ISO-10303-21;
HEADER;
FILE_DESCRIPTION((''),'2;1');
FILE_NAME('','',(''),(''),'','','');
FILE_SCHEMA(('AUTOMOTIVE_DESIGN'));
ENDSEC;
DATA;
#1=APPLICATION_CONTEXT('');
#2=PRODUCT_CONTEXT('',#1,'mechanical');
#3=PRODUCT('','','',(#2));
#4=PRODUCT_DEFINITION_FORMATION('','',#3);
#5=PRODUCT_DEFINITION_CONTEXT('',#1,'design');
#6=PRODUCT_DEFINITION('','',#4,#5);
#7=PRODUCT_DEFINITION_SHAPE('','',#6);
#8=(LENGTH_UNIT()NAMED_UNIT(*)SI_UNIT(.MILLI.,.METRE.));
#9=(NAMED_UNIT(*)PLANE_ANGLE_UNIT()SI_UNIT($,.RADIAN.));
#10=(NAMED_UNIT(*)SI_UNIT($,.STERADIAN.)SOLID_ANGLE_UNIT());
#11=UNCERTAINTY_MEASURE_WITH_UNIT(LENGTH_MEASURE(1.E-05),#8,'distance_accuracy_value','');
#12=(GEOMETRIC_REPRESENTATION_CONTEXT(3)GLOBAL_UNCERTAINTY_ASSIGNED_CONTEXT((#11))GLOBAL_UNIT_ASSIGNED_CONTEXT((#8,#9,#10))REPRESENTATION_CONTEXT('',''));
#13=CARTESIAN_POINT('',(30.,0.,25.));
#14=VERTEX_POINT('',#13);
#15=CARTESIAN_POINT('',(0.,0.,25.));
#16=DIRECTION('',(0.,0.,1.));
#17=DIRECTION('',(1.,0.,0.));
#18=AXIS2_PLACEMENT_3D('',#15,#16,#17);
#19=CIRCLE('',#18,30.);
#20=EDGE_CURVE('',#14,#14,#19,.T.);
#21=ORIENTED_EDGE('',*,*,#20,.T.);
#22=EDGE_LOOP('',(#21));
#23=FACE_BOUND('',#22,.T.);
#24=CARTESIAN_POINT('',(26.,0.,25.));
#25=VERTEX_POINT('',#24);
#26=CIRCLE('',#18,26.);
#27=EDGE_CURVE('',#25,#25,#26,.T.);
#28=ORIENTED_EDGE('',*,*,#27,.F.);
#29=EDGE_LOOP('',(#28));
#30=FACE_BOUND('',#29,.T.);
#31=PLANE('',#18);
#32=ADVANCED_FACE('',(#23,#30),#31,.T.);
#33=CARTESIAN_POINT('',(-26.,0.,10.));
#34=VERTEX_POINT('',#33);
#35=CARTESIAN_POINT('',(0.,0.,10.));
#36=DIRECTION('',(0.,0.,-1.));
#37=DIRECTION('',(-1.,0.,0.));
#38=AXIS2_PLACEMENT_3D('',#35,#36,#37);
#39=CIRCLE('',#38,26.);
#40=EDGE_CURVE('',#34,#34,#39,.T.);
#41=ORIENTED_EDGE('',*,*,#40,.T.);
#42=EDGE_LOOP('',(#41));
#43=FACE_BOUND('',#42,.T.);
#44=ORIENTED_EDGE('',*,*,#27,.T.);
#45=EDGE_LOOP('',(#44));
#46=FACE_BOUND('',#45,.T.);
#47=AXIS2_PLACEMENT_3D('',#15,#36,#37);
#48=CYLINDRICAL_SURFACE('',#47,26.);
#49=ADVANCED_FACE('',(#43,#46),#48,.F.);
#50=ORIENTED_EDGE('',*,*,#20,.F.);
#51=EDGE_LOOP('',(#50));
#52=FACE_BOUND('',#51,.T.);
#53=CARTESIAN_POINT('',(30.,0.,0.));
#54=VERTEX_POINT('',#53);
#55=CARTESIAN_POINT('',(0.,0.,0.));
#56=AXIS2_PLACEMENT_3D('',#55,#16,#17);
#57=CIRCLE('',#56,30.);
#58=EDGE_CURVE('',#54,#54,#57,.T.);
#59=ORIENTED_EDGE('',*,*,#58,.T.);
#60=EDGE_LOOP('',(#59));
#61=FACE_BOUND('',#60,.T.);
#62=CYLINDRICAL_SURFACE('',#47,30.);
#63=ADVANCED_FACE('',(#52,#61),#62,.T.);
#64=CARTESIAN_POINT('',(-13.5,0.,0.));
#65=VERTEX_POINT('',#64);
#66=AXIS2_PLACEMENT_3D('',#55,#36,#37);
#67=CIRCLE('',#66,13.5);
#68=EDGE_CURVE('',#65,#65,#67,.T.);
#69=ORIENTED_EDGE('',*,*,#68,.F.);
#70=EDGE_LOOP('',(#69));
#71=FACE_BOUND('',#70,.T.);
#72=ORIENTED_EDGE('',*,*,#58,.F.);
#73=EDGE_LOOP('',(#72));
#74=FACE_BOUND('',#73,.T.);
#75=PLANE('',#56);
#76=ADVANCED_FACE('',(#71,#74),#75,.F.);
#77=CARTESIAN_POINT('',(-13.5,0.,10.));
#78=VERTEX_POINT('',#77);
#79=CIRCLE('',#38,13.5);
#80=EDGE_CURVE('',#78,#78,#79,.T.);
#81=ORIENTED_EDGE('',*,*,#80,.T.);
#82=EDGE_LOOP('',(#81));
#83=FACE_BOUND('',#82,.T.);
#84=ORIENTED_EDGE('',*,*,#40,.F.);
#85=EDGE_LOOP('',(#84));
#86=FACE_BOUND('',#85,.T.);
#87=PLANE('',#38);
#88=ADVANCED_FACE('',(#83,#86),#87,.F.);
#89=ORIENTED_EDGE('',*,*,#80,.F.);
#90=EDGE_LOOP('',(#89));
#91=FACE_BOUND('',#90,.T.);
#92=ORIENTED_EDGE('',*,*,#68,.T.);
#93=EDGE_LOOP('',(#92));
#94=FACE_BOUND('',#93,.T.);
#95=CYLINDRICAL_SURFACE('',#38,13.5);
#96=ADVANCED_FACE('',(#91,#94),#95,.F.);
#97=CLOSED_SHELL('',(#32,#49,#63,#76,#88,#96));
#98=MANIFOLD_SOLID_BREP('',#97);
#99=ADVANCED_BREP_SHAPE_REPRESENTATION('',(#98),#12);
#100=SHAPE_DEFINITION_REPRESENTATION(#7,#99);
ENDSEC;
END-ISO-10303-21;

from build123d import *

# Parameters (mm, degrees)
SKETCH1_R           = 30
SKETCH1_R_2         = 26
BOSS_EXTRUDE1_DEPTH = 25
SKETCH2_R           = 26
SKETCH2_R_2         = 13.5
BOSS_EXTRUDE2_DEPTH = 10


with BuildPart() as part:
    # Sketch1 → Boss-Extrude1 (new body)
    with BuildSketch(Plane.XY):
        Circle(SKETCH1_R)
        Circle(SKETCH1_R_2, mode=Mode.SUBTRACT)
    extrude(amount=BOSS_EXTRUDE1_DEPTH)

    # Sketch2 → Boss-Extrude2 (add)
    with BuildSketch(Plane(origin=(0, 0, 0), x_dir=(-1, 0, 0), z_dir=(0, 0, -1))):
        Circle(SKETCH2_R)
        Circle(SKETCH2_R_2, mode=Mode.SUBTRACT)
    extrude(amount=-BOSS_EXTRUDE2_DEPTH)


solid = part.part
